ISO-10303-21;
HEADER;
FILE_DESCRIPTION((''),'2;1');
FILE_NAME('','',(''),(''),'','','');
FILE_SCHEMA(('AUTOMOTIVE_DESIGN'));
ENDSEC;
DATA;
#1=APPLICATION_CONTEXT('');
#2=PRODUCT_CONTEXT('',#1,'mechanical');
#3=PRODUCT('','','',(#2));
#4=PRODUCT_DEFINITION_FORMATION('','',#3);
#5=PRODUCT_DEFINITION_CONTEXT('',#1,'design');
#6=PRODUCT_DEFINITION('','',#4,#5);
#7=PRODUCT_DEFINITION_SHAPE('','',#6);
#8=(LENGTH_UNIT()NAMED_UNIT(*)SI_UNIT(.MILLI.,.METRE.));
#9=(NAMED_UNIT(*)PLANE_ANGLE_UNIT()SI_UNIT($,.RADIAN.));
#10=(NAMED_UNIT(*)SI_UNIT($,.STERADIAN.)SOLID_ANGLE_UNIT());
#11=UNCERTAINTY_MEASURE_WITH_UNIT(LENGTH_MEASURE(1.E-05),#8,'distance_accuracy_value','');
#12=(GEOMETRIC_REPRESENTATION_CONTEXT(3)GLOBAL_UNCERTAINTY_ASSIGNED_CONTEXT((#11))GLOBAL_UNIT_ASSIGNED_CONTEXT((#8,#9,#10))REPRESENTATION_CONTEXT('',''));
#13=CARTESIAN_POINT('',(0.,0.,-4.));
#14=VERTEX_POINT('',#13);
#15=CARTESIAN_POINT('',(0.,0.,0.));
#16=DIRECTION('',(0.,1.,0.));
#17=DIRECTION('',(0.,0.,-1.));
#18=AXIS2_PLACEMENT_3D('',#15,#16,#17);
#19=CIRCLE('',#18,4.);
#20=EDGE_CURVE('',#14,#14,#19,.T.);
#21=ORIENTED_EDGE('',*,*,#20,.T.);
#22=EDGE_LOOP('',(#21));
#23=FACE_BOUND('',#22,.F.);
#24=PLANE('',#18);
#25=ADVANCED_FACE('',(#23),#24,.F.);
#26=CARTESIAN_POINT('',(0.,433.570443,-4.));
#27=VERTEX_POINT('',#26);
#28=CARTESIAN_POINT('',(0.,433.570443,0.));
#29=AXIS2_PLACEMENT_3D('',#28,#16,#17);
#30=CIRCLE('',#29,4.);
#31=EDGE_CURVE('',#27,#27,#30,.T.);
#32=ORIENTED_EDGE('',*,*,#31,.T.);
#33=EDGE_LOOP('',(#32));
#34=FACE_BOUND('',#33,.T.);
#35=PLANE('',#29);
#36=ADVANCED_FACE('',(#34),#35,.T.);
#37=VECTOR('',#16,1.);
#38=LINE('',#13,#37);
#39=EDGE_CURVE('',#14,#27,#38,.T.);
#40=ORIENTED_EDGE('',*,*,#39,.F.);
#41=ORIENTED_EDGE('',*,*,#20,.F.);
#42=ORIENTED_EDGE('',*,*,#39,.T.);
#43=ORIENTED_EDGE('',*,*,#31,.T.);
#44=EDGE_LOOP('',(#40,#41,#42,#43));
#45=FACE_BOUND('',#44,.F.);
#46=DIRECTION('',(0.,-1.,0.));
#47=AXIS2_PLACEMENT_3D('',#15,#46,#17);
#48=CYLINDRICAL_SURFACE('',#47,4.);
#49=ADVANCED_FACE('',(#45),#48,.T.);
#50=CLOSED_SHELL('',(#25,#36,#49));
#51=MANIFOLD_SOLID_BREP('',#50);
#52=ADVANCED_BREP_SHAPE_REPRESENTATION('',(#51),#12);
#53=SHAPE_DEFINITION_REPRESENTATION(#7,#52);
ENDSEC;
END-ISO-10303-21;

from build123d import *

# Parameters (mm, degrees)
ESQUISSE1_R        = 4
BOSS_EXTRU_1_DEPTH = 433.57044328


with BuildPart() as part:
    # Esquisse1 → Boss.-Extru.1 (new body)
    with BuildSketch(Plane(origin=(0, 0, 0), x_dir=(1, 0, 0), z_dir=(0, 1, 0))):
        with Locations(Location((0, 0, 0), (0, 0, 90))):
            Circle(ESQUISSE1_R)
    extrude(amount=BOSS_EXTRU_1_DEPTH)


solid = part.part
